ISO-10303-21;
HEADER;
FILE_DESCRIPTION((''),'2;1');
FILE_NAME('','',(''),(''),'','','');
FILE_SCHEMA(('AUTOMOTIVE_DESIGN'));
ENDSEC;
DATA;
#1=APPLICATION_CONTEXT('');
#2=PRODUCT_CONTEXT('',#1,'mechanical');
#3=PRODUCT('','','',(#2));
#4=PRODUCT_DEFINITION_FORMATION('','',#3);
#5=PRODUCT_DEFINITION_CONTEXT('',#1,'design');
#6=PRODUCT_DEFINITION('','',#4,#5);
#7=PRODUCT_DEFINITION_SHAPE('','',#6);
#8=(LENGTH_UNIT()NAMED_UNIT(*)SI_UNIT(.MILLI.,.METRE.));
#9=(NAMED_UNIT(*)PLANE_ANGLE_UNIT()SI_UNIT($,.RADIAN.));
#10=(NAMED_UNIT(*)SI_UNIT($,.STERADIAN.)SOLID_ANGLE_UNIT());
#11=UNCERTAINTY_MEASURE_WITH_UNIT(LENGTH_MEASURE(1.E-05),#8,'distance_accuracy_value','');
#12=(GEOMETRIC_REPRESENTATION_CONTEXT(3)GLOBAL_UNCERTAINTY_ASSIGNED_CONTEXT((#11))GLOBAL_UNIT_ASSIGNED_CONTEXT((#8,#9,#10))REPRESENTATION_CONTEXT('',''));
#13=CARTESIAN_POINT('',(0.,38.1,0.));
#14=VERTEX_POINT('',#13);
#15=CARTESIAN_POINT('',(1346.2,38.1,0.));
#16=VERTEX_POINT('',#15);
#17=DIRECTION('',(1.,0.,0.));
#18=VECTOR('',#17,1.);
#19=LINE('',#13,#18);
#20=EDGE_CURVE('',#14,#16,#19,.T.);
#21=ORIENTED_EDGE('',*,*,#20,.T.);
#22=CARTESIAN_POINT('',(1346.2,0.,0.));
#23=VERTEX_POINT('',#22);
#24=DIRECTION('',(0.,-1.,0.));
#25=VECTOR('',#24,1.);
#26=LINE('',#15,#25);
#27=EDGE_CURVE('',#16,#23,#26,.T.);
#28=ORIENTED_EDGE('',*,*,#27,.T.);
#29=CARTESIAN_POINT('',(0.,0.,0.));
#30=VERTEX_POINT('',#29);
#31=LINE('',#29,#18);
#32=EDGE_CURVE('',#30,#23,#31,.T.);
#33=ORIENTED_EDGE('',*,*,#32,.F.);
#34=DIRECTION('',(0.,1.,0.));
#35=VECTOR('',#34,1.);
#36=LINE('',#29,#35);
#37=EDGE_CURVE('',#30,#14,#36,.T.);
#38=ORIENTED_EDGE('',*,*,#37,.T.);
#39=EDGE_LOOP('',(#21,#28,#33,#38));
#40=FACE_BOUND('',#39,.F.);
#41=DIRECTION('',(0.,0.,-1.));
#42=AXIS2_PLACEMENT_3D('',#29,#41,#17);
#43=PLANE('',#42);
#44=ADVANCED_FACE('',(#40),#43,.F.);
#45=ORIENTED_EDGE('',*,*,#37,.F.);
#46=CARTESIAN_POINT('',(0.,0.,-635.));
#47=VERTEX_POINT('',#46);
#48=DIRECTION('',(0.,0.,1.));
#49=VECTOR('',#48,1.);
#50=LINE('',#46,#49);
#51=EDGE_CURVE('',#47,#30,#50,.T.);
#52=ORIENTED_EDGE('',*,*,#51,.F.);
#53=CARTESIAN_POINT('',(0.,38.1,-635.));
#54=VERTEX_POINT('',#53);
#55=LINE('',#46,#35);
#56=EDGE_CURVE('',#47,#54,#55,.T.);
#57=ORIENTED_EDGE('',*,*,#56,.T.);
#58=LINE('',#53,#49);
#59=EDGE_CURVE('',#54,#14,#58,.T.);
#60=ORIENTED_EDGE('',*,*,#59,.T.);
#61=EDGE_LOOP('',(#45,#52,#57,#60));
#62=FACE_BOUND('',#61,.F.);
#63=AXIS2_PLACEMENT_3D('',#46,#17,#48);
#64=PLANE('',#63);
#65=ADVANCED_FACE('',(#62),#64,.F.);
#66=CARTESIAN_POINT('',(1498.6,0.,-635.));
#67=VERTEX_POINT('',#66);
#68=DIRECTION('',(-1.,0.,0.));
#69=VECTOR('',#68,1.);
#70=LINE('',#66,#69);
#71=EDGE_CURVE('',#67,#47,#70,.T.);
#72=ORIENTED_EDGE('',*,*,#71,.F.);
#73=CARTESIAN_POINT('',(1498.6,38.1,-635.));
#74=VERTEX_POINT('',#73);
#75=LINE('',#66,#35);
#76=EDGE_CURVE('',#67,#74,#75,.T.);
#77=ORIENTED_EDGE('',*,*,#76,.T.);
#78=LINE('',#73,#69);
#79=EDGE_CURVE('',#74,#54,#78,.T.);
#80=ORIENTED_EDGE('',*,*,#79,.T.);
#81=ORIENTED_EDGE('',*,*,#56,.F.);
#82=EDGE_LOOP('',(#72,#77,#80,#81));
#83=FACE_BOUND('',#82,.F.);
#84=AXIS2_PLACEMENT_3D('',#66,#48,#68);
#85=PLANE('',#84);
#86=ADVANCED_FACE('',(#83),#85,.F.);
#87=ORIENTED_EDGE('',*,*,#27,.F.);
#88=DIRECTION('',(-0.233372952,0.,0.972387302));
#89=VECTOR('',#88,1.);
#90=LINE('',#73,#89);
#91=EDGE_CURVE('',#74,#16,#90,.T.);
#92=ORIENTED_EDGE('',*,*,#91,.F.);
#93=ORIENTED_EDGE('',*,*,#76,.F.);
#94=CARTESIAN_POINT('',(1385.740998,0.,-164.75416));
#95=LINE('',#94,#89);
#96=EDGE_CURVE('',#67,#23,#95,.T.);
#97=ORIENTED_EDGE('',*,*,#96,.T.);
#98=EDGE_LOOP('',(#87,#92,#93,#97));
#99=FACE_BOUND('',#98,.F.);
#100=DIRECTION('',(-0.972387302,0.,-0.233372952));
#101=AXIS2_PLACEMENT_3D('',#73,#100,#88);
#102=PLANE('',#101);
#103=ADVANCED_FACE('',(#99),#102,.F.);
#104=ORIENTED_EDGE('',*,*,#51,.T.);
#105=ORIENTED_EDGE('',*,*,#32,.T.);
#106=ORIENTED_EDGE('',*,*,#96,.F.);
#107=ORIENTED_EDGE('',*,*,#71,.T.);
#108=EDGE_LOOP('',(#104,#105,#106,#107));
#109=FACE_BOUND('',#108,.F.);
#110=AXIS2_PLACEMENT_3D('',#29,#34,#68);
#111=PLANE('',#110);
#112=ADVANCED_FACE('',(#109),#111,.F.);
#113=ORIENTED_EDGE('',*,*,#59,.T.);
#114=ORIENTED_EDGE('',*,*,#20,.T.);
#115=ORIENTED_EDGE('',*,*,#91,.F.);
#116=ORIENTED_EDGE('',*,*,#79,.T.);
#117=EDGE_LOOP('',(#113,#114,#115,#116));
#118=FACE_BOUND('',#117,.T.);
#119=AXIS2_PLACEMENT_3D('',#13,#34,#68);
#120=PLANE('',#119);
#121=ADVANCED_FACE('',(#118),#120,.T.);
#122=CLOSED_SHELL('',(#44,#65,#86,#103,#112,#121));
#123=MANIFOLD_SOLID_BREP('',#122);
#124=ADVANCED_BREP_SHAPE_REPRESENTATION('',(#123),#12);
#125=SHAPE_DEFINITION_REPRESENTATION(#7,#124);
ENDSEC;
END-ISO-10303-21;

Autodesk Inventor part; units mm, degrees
ref_plane "YZ Plane" through (0, 0, 0) normal (1, 0, 0) x (0, 1, 0)
ref_plane "XZ Plane" through (0, 0, 0) normal (0, 1, 0) x (-1, 0, 0)
ref_plane "XY Plane" through (0, 0, 0) normal (0, 0, 1) x (1, 0, 0)
sketch "Sketch1" plane through (0, 0, 0) normal (0, 1, 0) x (-1, 0, 0)
  line L0 (0, 0) -> (-1498.6, 0)
  line L1 (-1498.6, 0) -> (-1498.6, -635)
  line L2 (-1498.6, -635) -> (0, -635)
  line L3 (0, -635) -> (0, 0)
  dimension "d6" = 635
  dimension "d10" = 1498.6
extrude "Extrusion1" add sketch "Sketch1" along normal blind 38.1
sketch "Sketch2" plane through (0, 38.1, 0) normal (0, 1, 0) x (1, 0, 0)
  line L0 (1498.6, 0) -> (1498.6, 635) projected
  line L1 (1498.6, 635) -> (1346.2, 0)
  line L2 (0, 0) -> (1498.6, 0) projected
  line L3 (1346.2, 0) -> (1498.6, 0)
  line L4 (1498.6, 0) -> (1498.6, 635)
  dimension "d11" = 152.4
extrude "Extrusion2" cut sketch "Sketch2" against normal through all
properties part number "Butcher_Block--1.5_x_24_x_42.75_in" material "Wood (Southern Pine)"
